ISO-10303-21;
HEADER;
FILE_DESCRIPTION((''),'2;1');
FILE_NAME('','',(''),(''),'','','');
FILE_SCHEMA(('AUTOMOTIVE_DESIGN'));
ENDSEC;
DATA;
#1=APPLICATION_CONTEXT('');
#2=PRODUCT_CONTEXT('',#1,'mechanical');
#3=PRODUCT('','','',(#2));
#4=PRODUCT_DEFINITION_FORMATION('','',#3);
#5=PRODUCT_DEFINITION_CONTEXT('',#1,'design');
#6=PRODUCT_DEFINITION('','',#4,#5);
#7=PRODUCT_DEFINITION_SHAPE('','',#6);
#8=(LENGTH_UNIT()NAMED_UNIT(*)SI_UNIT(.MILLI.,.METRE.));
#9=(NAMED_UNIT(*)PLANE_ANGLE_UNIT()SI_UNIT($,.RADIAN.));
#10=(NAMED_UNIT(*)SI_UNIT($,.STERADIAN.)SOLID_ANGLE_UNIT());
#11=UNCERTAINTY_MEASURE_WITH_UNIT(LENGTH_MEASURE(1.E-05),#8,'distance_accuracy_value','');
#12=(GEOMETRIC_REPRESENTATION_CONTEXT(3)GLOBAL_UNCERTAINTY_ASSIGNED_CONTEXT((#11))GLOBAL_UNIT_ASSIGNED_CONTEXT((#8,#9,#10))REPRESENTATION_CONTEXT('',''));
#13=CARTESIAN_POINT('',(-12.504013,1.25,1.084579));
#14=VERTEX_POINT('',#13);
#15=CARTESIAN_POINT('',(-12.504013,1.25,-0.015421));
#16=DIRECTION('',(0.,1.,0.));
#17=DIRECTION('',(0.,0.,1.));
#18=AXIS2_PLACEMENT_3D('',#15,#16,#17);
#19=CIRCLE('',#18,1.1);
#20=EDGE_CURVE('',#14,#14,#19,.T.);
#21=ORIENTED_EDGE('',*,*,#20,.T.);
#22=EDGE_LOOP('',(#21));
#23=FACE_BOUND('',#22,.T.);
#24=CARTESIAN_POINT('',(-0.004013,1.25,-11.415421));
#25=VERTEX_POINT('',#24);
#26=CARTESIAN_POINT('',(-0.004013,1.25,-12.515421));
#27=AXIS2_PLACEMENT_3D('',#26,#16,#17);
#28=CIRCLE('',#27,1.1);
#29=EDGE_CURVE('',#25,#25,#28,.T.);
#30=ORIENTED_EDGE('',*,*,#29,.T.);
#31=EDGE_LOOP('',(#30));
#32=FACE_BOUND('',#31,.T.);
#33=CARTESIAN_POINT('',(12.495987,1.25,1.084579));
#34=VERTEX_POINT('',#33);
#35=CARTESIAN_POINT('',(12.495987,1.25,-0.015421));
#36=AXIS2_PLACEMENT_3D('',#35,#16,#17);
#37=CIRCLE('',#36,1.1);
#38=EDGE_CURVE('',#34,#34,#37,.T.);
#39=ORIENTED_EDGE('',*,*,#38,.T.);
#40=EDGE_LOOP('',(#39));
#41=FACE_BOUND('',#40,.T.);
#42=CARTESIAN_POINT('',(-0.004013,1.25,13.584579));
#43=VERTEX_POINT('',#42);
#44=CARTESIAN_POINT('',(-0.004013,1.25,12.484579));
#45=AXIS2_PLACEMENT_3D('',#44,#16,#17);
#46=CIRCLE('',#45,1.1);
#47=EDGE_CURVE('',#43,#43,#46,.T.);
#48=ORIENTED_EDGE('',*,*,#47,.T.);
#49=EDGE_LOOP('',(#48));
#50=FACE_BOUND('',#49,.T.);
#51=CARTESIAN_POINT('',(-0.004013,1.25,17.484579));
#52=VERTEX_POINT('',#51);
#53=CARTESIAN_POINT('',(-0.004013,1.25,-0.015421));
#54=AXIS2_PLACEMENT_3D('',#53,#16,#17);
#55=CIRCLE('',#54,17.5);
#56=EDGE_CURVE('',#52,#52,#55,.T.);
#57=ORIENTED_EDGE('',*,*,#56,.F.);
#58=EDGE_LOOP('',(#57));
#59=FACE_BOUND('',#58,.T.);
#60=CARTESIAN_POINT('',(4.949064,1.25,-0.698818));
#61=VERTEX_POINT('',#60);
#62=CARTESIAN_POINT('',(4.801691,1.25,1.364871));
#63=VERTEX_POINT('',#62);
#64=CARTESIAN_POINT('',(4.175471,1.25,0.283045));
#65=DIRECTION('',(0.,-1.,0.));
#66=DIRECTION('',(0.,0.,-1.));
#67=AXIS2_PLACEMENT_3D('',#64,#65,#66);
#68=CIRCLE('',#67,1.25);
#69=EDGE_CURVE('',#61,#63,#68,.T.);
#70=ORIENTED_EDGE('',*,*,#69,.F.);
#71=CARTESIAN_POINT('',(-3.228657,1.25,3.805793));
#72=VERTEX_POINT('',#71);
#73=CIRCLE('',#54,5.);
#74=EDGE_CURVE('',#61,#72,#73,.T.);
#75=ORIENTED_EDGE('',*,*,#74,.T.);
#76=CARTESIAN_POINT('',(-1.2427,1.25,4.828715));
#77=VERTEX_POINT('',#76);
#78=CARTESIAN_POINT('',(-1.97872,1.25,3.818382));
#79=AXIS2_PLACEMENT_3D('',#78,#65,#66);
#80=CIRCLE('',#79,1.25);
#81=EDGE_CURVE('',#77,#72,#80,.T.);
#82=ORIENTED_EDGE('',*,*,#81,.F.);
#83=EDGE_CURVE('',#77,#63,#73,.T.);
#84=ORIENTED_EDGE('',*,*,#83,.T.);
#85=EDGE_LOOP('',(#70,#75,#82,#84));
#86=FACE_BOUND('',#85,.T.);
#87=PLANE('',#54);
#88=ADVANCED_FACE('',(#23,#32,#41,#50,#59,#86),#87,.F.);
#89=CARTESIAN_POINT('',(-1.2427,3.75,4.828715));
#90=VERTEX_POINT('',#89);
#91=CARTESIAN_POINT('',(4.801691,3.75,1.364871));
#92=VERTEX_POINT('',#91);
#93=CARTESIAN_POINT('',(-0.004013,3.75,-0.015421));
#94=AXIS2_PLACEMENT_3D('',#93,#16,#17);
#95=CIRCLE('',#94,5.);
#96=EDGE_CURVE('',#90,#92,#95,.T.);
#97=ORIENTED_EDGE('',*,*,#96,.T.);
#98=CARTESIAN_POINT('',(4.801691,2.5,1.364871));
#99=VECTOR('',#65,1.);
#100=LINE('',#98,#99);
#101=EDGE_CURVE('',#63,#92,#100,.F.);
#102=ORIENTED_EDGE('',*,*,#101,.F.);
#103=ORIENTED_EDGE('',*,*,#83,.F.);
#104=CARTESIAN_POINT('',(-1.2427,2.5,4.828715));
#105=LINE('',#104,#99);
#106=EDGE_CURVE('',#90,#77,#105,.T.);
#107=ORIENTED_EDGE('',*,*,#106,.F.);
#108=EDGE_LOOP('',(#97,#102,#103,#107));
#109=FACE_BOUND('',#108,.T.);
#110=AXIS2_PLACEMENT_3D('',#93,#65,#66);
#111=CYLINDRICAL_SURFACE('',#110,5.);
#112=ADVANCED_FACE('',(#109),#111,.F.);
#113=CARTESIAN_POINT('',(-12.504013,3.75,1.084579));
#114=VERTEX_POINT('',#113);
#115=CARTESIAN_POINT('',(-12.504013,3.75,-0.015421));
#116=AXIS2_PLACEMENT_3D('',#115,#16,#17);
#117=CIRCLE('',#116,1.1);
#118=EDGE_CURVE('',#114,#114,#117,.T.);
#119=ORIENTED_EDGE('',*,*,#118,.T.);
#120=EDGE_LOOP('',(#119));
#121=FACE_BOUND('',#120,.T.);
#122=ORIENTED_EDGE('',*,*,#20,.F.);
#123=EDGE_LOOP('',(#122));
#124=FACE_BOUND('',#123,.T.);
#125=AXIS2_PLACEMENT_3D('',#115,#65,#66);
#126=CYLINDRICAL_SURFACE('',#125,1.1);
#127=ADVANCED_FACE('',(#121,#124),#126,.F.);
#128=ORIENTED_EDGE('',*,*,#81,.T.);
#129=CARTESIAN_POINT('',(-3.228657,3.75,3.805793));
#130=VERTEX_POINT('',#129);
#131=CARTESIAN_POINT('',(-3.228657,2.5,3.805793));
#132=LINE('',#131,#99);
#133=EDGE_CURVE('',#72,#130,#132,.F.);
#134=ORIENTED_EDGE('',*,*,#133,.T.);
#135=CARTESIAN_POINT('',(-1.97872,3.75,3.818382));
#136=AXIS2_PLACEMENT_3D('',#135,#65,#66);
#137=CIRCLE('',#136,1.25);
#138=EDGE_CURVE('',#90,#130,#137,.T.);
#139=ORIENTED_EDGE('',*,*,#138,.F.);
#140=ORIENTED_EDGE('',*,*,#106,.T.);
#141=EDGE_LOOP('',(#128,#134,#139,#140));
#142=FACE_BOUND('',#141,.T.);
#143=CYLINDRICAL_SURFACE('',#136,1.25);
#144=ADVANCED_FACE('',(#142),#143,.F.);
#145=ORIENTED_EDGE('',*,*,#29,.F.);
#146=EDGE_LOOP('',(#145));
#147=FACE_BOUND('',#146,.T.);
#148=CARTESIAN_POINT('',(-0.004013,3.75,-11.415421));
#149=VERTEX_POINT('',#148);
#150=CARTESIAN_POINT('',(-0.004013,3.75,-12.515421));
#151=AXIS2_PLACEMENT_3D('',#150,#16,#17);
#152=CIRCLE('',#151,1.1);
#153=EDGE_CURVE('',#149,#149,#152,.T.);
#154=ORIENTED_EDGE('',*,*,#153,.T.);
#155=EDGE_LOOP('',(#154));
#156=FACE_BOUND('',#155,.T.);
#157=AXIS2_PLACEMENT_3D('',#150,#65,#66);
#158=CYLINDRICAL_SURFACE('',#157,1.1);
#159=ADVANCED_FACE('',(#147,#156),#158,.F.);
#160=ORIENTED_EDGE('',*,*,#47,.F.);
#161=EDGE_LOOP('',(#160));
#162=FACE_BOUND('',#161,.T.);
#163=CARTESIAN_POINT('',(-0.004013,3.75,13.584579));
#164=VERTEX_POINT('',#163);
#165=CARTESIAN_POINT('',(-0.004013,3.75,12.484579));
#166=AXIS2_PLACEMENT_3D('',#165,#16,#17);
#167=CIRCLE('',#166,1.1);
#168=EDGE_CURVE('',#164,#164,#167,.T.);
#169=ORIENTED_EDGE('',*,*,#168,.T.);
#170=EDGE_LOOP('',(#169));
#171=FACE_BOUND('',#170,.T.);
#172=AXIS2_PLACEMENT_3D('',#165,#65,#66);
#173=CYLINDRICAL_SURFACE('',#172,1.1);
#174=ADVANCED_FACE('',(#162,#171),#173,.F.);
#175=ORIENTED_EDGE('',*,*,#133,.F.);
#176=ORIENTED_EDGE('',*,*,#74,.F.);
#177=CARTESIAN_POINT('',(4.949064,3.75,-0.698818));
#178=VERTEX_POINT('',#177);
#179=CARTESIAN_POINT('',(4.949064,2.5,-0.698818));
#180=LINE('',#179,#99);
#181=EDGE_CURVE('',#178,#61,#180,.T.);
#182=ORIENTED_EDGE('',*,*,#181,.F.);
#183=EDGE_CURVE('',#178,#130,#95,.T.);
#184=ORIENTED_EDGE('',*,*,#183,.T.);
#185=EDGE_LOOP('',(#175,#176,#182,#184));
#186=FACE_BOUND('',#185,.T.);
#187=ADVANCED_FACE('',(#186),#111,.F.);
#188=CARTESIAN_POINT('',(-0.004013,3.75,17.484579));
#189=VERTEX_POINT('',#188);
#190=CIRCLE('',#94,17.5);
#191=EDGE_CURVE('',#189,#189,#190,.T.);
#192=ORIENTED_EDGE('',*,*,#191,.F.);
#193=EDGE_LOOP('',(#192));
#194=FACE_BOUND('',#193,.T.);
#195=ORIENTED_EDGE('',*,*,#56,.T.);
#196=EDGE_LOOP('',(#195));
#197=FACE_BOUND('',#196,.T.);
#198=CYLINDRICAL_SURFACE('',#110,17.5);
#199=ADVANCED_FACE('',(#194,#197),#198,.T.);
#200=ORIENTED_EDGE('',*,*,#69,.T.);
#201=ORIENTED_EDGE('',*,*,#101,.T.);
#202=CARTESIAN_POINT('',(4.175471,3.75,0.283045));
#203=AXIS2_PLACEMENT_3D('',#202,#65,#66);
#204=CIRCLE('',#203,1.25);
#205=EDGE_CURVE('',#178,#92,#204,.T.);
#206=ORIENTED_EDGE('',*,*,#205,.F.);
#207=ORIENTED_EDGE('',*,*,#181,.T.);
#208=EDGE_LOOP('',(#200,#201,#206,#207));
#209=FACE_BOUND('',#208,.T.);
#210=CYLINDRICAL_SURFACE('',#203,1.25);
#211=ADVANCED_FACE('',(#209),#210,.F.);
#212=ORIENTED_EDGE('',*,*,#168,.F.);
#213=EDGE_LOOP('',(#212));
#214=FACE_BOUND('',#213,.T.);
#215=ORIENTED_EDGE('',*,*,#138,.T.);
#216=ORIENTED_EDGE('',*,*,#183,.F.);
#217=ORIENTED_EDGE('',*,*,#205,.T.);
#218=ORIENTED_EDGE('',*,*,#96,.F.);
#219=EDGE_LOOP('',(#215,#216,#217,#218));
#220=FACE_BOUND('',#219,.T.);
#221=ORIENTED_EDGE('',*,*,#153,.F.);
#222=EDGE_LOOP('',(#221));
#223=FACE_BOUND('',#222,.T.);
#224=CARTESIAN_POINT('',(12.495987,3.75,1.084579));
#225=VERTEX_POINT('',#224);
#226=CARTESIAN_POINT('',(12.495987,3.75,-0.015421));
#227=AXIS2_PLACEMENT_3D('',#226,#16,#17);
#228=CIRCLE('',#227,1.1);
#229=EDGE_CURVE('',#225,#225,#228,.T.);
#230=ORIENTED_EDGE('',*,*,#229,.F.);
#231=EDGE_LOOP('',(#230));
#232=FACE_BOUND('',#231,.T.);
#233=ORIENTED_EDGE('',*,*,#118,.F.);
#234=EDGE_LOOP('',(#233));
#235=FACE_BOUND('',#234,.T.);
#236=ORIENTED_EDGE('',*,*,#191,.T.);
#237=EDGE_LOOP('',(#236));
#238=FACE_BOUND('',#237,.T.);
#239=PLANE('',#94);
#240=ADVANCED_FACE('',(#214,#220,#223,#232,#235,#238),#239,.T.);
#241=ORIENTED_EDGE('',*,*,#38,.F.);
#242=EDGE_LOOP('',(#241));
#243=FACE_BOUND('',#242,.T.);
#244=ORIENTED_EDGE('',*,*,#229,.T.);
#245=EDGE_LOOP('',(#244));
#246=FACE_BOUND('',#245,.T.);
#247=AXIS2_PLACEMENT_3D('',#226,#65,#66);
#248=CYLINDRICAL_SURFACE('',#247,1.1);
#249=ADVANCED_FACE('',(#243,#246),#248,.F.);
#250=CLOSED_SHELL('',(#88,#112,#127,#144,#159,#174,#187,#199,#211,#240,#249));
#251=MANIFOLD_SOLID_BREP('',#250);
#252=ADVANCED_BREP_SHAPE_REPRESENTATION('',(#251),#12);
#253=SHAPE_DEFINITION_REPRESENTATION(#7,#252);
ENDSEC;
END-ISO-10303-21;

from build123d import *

# Parameters (mm, degrees)
SKETCH1_R               = 35
SKETCH1_R_2             = 2.2
SKETCH1_R_3             = 10
BOSS_EXTRUDE1_DEPTH     = 5
ECHELLE2_SCALE          = 2
ESQUISSE3_R             = 5
ENL_V_MAT_EXTRU_1_DEPTH = 10
ECHELLE3_SCALE          = 0.25


with BuildPart() as part:
    # Sketch1 → Boss-Extrude1 (new body)
    with BuildSketch(Plane(origin=(0, 0, 0), x_dir=(1, 0, 0), z_dir=(0, 1, 0))):
        with Locations(Location((0, 0, 0), (0, 0, 270))):
            Circle(SKETCH1_R)
        with Locations(Location((0, 25, 0), (0, 0, 270))):
            Circle(SKETCH1_R_2, mode=Mode.SUBTRACT)
        with Locations(Location((25, 0, 0), (0, 0, 270))):
            Circle(SKETCH1_R_2, mode=Mode.SUBTRACT)
        with Locations(Location((0, -25, 0), (0, 0, 270))):
            Circle(SKETCH1_R_2, mode=Mode.SUBTRACT)
        with Locations(Location((-25, 0, 0), (0, 0, 270))):
            Circle(SKETCH1_R_2, mode=Mode.SUBTRACT)
        with Locations(Location((0, 0, 0), (0, 0, 270))):
            Circle(SKETCH1_R_3, mode=Mode.SUBTRACT)
    extrude(amount=BOSS_EXTRUDE1_DEPTH)


with BuildPart() as part_1:
    # Echelle2: scaled about (0, 2.5, 0)
    add(part.part.scale(ECHELLE2_SCALE).moved(Location((0, -2.5, 0))))

    # Esquisse3 → Enlèv. mat.-Extru.1 (cut)
    with BuildSketch(Plane.XZ.offset(2.5)):
        with Locations((16.717937413, 1.193862082)):
            Circle(ESQUISSE3_R)
        with Locations((-7.898828439, 15.335211041)):
            Circle(ESQUISSE3_R)
    extrude(amount=-ENL_V_MAT_EXTRU_1_DEPTH, mode=Mode.SUBTRACT)


with BuildPart() as part_2:
    # Echelle3: scaled about (-0.005350728, 2.5, -0.020561043)
    add(part_1.part.scale(ECHELLE3_SCALE).moved(Location((-0.004013046, 1.875, -0.015420782))))


solid = part_2.part
